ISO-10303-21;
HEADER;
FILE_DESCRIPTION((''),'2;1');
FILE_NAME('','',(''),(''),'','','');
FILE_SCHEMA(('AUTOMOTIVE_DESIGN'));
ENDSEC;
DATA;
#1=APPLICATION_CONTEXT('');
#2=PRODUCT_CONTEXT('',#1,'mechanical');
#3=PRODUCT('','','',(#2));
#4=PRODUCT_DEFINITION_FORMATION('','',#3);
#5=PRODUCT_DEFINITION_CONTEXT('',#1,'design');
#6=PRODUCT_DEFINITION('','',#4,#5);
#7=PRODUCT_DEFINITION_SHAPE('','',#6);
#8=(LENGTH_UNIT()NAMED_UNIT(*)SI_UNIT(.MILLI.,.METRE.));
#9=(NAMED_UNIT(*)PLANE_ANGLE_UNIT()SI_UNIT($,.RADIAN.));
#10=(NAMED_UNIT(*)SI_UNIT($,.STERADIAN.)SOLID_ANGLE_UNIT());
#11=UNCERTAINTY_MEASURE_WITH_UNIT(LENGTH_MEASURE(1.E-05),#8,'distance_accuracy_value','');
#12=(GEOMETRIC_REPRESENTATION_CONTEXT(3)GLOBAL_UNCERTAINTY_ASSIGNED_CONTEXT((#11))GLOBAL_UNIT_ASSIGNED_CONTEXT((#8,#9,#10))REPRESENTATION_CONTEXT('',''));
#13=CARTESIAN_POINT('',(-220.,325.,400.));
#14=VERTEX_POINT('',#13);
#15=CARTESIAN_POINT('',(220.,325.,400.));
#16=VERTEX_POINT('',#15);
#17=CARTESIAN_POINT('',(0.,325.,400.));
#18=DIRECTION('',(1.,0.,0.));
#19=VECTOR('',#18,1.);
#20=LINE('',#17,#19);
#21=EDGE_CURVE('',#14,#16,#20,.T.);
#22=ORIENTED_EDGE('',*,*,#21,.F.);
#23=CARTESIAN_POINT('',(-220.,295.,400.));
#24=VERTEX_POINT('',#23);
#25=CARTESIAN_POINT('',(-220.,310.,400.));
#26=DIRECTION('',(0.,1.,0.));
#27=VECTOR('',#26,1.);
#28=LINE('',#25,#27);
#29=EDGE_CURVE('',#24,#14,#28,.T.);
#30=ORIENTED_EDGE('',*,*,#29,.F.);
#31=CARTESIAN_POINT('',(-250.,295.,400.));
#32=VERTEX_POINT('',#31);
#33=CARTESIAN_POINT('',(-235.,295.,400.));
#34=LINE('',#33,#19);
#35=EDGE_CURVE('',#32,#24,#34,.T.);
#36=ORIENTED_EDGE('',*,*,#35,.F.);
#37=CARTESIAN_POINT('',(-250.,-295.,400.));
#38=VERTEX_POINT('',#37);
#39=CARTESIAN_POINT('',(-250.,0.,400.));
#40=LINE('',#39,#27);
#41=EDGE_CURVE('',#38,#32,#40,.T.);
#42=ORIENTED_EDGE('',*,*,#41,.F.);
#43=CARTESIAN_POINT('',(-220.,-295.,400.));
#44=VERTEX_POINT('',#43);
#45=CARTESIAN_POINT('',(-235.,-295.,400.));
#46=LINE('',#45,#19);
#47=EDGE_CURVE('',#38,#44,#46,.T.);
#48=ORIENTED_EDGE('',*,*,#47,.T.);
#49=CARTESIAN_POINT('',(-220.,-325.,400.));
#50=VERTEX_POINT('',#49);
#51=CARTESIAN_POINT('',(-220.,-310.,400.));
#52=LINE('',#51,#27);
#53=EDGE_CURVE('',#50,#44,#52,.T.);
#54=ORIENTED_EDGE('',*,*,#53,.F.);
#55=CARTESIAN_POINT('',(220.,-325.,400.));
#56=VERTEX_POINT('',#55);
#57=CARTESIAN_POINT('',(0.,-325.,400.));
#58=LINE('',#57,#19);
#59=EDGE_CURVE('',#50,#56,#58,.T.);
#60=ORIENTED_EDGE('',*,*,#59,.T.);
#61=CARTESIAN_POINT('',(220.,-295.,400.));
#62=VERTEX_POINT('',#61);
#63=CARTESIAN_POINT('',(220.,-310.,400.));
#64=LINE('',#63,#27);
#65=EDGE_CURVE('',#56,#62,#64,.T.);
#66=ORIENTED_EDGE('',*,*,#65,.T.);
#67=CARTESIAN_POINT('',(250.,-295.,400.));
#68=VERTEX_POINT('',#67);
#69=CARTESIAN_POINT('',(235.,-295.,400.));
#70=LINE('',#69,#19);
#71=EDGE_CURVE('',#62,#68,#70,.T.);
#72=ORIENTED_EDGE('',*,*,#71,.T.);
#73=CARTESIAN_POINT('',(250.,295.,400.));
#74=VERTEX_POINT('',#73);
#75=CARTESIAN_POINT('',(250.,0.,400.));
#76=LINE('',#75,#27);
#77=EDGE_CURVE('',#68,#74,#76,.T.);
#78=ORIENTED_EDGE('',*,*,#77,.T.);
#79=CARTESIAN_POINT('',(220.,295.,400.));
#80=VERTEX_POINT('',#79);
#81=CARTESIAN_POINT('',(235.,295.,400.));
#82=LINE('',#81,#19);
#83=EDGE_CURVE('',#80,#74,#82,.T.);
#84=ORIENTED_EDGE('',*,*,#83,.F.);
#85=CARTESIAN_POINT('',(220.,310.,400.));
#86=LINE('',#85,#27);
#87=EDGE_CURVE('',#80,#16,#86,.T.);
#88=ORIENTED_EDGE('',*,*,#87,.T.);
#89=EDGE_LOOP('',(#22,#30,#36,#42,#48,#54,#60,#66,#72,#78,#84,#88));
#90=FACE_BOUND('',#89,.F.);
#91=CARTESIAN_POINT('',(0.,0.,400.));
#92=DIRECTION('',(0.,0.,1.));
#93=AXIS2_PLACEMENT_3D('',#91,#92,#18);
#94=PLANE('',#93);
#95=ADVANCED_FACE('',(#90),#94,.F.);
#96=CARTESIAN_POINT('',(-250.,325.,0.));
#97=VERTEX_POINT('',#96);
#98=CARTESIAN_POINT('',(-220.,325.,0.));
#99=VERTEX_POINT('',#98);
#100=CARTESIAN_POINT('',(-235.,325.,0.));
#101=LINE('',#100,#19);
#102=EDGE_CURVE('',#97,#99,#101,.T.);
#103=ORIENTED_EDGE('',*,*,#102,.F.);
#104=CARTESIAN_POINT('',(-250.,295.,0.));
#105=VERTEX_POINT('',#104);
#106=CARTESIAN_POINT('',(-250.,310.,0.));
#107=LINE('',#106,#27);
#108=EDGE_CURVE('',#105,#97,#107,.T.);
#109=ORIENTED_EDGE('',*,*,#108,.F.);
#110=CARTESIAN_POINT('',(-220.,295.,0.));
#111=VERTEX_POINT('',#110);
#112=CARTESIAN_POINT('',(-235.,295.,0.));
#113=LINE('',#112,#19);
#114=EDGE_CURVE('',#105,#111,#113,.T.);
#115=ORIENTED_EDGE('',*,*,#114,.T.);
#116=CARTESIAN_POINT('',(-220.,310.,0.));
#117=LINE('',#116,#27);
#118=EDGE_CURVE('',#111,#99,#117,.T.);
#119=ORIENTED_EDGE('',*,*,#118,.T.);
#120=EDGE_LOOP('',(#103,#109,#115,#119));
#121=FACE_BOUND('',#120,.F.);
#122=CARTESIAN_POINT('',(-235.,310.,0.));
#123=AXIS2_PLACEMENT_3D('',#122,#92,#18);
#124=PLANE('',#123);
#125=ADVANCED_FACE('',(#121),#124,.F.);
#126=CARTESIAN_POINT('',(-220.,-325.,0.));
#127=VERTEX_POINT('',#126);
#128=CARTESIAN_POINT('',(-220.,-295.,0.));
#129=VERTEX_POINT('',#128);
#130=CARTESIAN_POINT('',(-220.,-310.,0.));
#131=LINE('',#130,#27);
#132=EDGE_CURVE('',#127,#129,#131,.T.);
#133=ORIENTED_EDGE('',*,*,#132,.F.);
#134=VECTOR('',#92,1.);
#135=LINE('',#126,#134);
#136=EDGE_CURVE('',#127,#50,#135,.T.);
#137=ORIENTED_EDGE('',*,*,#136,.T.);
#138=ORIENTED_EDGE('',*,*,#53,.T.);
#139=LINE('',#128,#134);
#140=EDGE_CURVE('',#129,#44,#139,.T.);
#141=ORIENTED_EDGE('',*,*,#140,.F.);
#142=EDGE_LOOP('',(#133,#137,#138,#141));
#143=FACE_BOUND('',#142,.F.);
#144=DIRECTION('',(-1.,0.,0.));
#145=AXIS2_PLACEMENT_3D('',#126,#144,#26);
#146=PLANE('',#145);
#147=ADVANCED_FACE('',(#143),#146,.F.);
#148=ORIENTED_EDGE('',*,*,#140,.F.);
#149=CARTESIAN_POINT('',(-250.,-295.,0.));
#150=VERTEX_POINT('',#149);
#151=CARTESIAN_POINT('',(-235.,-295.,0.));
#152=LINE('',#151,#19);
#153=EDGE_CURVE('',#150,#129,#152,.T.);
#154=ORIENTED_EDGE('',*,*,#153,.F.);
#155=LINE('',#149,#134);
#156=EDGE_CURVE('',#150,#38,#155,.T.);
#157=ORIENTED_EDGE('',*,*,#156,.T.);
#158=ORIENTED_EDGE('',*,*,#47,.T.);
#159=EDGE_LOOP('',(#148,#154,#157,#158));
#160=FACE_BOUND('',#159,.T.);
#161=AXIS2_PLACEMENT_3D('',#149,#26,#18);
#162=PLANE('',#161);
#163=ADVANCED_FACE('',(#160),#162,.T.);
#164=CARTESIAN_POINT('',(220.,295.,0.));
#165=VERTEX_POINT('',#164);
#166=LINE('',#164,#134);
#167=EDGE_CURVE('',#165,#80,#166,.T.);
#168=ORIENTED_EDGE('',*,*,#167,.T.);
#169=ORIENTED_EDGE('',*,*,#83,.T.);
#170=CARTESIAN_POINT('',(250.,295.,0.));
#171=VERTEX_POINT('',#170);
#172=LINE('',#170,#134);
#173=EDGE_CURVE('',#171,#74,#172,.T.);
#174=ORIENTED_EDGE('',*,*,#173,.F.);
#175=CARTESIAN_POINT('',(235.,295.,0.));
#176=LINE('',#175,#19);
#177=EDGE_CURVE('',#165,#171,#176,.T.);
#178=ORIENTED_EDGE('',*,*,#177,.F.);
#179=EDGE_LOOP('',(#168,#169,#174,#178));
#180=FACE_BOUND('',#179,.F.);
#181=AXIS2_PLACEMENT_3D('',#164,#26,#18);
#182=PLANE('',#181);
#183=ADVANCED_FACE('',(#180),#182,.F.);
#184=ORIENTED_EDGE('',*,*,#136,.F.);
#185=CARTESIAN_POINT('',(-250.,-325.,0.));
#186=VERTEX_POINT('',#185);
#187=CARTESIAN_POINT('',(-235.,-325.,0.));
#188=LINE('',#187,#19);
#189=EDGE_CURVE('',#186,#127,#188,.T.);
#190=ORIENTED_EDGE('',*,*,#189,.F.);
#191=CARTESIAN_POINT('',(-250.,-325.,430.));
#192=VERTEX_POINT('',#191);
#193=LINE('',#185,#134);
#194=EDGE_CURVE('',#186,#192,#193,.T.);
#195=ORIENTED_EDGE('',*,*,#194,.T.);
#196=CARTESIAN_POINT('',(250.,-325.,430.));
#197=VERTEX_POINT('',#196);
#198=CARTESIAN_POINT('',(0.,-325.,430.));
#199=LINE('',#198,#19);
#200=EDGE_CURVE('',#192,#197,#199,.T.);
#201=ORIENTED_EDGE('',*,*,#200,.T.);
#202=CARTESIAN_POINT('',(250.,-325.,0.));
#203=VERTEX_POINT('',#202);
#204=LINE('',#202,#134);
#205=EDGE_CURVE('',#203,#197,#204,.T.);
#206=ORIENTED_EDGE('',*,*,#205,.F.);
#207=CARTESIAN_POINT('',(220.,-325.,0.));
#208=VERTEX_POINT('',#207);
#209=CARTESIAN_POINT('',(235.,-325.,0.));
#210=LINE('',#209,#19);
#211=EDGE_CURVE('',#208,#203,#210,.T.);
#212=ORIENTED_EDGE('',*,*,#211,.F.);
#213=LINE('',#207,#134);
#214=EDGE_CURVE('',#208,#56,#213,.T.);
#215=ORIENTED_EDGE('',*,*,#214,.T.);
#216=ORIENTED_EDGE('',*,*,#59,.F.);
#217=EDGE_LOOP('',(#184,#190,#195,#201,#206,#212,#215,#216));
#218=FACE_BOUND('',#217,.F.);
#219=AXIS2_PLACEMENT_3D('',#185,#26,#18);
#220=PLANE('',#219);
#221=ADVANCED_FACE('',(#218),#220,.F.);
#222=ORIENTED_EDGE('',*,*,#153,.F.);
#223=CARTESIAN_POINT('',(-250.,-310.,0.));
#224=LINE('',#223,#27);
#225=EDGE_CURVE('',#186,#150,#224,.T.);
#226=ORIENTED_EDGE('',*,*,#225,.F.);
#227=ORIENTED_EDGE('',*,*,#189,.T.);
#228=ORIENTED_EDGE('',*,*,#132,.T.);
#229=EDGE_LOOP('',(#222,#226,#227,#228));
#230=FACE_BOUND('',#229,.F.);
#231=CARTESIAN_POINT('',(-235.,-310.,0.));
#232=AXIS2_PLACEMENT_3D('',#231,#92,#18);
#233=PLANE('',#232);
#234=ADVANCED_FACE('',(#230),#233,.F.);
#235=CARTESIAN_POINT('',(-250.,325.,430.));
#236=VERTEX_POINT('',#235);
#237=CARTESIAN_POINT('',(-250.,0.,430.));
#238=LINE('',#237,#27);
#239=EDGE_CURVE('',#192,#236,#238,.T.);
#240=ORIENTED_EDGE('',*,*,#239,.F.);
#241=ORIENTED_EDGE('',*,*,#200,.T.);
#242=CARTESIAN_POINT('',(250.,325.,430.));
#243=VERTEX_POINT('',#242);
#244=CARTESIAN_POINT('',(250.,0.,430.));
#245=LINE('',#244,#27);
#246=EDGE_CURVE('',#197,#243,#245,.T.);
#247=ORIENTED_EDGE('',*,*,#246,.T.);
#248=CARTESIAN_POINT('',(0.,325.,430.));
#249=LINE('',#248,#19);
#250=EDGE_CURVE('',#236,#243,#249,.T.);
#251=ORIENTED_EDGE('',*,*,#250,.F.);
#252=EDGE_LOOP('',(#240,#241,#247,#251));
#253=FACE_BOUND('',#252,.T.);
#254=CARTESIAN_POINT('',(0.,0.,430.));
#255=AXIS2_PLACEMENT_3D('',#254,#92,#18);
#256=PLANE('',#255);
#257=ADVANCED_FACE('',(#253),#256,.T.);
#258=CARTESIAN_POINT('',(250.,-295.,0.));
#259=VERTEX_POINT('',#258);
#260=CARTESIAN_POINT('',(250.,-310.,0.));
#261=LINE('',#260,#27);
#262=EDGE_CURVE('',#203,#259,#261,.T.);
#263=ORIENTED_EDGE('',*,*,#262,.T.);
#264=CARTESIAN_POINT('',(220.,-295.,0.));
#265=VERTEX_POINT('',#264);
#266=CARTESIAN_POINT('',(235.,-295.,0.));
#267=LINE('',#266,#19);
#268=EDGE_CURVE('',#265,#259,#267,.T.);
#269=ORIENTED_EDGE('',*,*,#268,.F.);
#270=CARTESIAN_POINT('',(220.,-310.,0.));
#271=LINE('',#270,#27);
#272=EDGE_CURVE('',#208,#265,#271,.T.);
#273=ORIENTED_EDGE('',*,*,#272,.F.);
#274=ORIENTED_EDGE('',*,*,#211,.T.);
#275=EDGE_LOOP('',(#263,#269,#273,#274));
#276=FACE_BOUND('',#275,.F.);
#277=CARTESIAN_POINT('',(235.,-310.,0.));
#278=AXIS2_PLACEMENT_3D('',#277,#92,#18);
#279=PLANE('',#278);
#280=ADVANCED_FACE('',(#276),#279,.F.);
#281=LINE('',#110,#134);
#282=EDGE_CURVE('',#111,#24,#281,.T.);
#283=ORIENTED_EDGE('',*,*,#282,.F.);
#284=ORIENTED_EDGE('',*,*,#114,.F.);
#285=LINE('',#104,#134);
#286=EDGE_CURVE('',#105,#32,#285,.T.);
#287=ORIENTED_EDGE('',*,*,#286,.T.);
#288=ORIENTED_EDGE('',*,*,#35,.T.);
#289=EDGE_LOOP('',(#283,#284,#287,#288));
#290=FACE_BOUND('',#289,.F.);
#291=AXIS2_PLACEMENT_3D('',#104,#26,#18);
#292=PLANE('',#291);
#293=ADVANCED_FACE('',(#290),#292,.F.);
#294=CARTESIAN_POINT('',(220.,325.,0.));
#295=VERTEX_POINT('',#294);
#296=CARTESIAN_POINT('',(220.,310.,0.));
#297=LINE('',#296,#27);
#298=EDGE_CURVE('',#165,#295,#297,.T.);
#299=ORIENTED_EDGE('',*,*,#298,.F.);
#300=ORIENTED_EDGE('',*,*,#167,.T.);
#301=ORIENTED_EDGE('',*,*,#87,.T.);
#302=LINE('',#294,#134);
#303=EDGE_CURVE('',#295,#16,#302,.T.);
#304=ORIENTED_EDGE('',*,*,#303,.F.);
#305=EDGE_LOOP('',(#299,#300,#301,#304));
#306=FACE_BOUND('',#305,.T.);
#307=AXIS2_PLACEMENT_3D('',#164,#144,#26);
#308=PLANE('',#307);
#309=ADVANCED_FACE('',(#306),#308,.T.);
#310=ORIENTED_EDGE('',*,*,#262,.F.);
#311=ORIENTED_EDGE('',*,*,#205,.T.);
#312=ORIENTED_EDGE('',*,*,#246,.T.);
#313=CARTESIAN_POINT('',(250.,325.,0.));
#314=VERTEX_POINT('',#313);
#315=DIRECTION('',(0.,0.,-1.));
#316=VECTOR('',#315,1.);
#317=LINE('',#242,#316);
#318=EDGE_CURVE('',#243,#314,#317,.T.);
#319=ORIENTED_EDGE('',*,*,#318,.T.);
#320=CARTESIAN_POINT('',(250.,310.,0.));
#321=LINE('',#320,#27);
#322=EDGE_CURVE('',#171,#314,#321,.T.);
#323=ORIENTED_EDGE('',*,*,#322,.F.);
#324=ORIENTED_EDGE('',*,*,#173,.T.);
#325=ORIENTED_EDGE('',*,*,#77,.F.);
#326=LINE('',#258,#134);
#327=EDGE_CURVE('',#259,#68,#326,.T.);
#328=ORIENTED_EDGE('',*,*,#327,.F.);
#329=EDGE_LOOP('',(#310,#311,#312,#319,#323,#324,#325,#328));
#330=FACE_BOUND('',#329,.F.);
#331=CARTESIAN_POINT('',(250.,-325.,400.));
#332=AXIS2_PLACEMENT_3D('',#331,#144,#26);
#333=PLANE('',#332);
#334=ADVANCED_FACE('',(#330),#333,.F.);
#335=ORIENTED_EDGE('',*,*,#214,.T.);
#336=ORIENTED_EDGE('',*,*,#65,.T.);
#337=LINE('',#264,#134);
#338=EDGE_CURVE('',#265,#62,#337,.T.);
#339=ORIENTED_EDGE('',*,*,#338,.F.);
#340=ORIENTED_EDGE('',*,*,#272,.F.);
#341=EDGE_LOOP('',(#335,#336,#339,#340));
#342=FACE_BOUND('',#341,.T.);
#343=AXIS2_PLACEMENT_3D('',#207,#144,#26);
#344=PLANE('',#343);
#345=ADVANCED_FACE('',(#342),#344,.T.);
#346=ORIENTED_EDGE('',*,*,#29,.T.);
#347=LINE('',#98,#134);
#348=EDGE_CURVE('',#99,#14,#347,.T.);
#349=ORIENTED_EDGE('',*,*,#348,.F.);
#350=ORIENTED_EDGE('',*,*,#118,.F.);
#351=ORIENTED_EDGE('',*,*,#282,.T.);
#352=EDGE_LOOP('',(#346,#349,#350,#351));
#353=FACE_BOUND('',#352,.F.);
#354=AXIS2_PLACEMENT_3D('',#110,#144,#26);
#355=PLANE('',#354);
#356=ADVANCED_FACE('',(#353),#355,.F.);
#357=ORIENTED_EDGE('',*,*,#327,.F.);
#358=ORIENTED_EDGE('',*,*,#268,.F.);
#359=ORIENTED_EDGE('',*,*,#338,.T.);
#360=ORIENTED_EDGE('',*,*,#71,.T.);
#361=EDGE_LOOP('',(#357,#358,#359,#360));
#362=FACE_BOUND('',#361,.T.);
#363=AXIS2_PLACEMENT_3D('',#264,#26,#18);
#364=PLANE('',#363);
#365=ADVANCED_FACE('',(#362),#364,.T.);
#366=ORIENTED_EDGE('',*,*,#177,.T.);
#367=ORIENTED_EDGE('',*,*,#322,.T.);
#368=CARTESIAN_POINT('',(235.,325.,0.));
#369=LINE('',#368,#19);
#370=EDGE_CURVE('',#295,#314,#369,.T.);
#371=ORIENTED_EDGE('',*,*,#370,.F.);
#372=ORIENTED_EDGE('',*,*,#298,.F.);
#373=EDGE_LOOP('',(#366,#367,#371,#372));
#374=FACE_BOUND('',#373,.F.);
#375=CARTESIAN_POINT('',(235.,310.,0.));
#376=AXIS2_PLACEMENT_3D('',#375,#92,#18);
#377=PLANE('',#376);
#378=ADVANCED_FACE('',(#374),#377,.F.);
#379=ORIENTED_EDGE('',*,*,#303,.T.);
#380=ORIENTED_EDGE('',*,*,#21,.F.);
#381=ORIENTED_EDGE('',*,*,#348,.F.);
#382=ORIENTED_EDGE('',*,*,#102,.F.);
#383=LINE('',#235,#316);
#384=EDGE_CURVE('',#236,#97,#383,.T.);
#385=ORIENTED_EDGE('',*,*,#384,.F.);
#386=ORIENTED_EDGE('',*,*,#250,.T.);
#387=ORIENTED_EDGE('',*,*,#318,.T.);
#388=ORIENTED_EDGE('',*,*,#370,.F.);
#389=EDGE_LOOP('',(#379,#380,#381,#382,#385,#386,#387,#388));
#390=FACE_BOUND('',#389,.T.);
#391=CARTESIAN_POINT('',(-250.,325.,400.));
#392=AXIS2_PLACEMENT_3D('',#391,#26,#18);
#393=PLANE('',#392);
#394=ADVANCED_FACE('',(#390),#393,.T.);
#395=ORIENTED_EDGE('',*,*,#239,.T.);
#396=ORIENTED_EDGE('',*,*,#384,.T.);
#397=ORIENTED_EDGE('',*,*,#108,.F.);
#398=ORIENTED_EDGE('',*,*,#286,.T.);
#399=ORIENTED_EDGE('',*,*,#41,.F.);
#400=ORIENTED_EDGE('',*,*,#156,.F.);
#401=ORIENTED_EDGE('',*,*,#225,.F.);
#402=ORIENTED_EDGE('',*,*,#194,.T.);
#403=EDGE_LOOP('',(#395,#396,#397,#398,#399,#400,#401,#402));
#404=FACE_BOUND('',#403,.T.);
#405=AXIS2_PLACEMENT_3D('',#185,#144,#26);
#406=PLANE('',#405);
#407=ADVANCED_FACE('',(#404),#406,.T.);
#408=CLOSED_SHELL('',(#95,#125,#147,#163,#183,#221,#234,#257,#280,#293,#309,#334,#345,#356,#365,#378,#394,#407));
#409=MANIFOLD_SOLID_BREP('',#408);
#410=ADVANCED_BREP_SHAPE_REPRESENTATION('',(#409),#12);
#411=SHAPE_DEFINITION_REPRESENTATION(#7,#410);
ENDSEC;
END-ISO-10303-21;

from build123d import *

# Parameters (mm, degrees)
F1_W     = 500
F1_H     = 650
F2_DEPTH = 30
F3_W     = 30
F3_H     = 30
F4_DEPTH = 400


with BuildPart() as f2:
    # F1 (on offset) → F2 (new body)
    with BuildSketch(Plane.XY.offset(400)):
        Rectangle(F1_W, F1_H)
    extrude(amount=F2_DEPTH)

    # F3 (on Top) → F4 (join, through all)
    with BuildSketch(Plane.XY):
        with Locations((-235, -310)):
            Rectangle(F3_W, F3_H)
        with Locations((-235, 310)):
            Rectangle(F3_W, F3_H)
        with Locations((235, -310)):
            Rectangle(F3_W, F3_H)
        with Locations((235, 310)):
            Rectangle(F3_W, F3_H)
    extrude(amount=F4_DEPTH)


solid = f2.part
